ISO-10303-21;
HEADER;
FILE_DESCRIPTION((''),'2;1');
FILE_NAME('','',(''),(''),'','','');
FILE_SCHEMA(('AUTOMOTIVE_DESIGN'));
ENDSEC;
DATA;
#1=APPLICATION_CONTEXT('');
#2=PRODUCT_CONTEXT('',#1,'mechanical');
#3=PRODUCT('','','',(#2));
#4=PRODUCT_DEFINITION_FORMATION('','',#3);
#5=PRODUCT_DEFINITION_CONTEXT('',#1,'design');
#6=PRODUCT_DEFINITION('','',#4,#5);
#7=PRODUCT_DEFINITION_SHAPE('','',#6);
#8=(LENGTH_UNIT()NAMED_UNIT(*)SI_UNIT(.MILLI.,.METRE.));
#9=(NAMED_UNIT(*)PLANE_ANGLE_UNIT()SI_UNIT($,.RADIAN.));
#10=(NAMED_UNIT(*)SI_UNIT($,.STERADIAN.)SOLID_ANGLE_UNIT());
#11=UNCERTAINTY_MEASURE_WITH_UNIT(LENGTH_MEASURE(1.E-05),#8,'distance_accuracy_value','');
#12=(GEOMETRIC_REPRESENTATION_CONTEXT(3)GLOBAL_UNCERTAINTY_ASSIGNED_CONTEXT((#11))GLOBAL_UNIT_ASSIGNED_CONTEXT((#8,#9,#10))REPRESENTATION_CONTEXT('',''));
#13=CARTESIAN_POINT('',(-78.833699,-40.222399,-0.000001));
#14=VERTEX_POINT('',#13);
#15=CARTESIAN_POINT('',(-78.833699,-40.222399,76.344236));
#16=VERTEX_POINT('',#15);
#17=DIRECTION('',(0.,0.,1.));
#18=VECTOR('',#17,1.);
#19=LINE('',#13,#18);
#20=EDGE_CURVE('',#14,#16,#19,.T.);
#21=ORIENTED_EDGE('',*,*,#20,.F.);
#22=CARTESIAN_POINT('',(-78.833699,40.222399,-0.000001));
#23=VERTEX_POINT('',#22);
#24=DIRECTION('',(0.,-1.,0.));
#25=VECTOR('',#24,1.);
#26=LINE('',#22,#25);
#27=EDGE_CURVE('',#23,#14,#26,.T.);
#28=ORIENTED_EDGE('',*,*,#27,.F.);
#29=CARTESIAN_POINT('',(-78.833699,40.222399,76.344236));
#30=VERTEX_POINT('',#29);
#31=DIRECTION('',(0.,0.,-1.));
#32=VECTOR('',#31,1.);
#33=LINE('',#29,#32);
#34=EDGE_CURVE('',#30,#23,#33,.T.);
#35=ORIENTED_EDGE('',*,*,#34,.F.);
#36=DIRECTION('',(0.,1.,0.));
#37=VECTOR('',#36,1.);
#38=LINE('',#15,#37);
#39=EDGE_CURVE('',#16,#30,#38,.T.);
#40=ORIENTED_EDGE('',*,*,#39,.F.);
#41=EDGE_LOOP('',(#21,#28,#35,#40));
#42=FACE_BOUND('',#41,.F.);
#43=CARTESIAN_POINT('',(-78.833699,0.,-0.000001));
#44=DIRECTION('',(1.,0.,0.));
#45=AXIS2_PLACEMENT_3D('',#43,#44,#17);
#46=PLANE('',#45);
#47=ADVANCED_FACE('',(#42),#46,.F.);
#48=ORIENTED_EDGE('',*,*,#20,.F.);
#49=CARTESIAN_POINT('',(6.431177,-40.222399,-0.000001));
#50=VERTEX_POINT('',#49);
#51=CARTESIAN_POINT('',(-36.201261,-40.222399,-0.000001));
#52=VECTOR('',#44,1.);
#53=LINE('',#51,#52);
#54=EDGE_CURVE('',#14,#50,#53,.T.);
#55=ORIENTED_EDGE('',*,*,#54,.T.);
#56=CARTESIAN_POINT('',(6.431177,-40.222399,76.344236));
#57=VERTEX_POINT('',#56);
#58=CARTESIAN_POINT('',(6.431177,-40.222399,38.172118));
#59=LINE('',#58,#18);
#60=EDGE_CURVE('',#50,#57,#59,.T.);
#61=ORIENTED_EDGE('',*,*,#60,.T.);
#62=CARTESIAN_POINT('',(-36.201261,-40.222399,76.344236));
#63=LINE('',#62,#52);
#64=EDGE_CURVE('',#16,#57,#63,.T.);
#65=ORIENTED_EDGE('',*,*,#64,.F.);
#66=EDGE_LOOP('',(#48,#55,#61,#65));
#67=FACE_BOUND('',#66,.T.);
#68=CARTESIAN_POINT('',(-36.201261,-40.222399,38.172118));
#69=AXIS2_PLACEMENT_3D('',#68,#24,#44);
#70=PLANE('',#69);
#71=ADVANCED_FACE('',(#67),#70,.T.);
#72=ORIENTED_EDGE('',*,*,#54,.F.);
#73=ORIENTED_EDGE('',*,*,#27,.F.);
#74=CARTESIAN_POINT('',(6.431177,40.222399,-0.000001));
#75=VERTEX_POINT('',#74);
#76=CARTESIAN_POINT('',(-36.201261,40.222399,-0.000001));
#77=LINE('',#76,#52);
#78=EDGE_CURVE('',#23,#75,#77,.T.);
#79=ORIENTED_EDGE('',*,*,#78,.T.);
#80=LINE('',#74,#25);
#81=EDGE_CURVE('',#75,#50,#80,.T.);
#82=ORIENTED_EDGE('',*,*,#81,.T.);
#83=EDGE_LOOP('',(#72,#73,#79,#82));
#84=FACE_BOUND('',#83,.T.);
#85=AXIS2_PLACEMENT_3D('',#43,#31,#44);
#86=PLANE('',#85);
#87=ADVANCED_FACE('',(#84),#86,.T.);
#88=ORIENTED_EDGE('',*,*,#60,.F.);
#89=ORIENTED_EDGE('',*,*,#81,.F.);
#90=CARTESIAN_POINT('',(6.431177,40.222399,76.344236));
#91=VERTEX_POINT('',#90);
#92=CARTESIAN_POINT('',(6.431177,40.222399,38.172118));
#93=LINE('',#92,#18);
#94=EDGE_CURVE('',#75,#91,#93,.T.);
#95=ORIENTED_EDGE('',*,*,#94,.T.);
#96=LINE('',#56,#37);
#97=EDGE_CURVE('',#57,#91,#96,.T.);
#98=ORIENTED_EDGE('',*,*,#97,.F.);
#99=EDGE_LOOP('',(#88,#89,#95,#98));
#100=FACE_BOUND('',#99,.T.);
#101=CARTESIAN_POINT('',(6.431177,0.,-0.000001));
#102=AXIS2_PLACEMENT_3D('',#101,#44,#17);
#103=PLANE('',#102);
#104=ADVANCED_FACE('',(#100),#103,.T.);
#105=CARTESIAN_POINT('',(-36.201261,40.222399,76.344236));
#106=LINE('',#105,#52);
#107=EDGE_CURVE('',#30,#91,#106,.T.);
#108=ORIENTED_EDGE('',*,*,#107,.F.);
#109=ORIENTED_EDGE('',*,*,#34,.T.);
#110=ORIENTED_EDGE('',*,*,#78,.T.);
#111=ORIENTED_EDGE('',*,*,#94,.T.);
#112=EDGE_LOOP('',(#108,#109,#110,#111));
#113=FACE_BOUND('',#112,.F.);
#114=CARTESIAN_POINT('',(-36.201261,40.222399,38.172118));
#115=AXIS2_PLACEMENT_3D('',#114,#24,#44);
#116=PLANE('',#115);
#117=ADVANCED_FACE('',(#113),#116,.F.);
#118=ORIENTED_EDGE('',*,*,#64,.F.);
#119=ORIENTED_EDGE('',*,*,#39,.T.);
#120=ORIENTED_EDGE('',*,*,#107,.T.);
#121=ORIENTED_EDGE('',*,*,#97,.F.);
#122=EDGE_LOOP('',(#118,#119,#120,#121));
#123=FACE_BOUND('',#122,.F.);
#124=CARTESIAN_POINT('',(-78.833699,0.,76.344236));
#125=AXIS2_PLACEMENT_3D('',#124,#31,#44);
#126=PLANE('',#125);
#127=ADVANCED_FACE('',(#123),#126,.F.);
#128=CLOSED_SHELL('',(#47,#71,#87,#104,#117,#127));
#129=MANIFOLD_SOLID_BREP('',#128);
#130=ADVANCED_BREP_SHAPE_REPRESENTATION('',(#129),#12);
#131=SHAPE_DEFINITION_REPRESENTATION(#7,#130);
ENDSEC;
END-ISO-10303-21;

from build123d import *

# Parameters (mm, degrees)
F0_W      = 85.264876
F0_H      = 76.344237
F1_DEPTH  = 40.222399
F1_FACE_W = 80.444798
F1_FACE_H = 76.344236
F2_DEPTH  = 25.4


with BuildPart() as f1:
    # F0 (on Front) → F1 (new body, symmetric)
    with BuildSketch(Plane.XZ):
        with Locations((-36.201261, 38.172118)):
            Rectangle(F0_W, F0_H)
    extrude(amount=F1_DEPTH, both=True)

    # F1_face (on face) → F2 (join)
    with BuildSketch(Plane(origin=(-78.833699, 0, 38.172118), x_dir=(0, -1, 0), z_dir=(-1, 0, 0))):
        Rectangle(F1_FACE_W, F1_FACE_H)
    extrude(amount=-F2_DEPTH)


solid = f1.part
